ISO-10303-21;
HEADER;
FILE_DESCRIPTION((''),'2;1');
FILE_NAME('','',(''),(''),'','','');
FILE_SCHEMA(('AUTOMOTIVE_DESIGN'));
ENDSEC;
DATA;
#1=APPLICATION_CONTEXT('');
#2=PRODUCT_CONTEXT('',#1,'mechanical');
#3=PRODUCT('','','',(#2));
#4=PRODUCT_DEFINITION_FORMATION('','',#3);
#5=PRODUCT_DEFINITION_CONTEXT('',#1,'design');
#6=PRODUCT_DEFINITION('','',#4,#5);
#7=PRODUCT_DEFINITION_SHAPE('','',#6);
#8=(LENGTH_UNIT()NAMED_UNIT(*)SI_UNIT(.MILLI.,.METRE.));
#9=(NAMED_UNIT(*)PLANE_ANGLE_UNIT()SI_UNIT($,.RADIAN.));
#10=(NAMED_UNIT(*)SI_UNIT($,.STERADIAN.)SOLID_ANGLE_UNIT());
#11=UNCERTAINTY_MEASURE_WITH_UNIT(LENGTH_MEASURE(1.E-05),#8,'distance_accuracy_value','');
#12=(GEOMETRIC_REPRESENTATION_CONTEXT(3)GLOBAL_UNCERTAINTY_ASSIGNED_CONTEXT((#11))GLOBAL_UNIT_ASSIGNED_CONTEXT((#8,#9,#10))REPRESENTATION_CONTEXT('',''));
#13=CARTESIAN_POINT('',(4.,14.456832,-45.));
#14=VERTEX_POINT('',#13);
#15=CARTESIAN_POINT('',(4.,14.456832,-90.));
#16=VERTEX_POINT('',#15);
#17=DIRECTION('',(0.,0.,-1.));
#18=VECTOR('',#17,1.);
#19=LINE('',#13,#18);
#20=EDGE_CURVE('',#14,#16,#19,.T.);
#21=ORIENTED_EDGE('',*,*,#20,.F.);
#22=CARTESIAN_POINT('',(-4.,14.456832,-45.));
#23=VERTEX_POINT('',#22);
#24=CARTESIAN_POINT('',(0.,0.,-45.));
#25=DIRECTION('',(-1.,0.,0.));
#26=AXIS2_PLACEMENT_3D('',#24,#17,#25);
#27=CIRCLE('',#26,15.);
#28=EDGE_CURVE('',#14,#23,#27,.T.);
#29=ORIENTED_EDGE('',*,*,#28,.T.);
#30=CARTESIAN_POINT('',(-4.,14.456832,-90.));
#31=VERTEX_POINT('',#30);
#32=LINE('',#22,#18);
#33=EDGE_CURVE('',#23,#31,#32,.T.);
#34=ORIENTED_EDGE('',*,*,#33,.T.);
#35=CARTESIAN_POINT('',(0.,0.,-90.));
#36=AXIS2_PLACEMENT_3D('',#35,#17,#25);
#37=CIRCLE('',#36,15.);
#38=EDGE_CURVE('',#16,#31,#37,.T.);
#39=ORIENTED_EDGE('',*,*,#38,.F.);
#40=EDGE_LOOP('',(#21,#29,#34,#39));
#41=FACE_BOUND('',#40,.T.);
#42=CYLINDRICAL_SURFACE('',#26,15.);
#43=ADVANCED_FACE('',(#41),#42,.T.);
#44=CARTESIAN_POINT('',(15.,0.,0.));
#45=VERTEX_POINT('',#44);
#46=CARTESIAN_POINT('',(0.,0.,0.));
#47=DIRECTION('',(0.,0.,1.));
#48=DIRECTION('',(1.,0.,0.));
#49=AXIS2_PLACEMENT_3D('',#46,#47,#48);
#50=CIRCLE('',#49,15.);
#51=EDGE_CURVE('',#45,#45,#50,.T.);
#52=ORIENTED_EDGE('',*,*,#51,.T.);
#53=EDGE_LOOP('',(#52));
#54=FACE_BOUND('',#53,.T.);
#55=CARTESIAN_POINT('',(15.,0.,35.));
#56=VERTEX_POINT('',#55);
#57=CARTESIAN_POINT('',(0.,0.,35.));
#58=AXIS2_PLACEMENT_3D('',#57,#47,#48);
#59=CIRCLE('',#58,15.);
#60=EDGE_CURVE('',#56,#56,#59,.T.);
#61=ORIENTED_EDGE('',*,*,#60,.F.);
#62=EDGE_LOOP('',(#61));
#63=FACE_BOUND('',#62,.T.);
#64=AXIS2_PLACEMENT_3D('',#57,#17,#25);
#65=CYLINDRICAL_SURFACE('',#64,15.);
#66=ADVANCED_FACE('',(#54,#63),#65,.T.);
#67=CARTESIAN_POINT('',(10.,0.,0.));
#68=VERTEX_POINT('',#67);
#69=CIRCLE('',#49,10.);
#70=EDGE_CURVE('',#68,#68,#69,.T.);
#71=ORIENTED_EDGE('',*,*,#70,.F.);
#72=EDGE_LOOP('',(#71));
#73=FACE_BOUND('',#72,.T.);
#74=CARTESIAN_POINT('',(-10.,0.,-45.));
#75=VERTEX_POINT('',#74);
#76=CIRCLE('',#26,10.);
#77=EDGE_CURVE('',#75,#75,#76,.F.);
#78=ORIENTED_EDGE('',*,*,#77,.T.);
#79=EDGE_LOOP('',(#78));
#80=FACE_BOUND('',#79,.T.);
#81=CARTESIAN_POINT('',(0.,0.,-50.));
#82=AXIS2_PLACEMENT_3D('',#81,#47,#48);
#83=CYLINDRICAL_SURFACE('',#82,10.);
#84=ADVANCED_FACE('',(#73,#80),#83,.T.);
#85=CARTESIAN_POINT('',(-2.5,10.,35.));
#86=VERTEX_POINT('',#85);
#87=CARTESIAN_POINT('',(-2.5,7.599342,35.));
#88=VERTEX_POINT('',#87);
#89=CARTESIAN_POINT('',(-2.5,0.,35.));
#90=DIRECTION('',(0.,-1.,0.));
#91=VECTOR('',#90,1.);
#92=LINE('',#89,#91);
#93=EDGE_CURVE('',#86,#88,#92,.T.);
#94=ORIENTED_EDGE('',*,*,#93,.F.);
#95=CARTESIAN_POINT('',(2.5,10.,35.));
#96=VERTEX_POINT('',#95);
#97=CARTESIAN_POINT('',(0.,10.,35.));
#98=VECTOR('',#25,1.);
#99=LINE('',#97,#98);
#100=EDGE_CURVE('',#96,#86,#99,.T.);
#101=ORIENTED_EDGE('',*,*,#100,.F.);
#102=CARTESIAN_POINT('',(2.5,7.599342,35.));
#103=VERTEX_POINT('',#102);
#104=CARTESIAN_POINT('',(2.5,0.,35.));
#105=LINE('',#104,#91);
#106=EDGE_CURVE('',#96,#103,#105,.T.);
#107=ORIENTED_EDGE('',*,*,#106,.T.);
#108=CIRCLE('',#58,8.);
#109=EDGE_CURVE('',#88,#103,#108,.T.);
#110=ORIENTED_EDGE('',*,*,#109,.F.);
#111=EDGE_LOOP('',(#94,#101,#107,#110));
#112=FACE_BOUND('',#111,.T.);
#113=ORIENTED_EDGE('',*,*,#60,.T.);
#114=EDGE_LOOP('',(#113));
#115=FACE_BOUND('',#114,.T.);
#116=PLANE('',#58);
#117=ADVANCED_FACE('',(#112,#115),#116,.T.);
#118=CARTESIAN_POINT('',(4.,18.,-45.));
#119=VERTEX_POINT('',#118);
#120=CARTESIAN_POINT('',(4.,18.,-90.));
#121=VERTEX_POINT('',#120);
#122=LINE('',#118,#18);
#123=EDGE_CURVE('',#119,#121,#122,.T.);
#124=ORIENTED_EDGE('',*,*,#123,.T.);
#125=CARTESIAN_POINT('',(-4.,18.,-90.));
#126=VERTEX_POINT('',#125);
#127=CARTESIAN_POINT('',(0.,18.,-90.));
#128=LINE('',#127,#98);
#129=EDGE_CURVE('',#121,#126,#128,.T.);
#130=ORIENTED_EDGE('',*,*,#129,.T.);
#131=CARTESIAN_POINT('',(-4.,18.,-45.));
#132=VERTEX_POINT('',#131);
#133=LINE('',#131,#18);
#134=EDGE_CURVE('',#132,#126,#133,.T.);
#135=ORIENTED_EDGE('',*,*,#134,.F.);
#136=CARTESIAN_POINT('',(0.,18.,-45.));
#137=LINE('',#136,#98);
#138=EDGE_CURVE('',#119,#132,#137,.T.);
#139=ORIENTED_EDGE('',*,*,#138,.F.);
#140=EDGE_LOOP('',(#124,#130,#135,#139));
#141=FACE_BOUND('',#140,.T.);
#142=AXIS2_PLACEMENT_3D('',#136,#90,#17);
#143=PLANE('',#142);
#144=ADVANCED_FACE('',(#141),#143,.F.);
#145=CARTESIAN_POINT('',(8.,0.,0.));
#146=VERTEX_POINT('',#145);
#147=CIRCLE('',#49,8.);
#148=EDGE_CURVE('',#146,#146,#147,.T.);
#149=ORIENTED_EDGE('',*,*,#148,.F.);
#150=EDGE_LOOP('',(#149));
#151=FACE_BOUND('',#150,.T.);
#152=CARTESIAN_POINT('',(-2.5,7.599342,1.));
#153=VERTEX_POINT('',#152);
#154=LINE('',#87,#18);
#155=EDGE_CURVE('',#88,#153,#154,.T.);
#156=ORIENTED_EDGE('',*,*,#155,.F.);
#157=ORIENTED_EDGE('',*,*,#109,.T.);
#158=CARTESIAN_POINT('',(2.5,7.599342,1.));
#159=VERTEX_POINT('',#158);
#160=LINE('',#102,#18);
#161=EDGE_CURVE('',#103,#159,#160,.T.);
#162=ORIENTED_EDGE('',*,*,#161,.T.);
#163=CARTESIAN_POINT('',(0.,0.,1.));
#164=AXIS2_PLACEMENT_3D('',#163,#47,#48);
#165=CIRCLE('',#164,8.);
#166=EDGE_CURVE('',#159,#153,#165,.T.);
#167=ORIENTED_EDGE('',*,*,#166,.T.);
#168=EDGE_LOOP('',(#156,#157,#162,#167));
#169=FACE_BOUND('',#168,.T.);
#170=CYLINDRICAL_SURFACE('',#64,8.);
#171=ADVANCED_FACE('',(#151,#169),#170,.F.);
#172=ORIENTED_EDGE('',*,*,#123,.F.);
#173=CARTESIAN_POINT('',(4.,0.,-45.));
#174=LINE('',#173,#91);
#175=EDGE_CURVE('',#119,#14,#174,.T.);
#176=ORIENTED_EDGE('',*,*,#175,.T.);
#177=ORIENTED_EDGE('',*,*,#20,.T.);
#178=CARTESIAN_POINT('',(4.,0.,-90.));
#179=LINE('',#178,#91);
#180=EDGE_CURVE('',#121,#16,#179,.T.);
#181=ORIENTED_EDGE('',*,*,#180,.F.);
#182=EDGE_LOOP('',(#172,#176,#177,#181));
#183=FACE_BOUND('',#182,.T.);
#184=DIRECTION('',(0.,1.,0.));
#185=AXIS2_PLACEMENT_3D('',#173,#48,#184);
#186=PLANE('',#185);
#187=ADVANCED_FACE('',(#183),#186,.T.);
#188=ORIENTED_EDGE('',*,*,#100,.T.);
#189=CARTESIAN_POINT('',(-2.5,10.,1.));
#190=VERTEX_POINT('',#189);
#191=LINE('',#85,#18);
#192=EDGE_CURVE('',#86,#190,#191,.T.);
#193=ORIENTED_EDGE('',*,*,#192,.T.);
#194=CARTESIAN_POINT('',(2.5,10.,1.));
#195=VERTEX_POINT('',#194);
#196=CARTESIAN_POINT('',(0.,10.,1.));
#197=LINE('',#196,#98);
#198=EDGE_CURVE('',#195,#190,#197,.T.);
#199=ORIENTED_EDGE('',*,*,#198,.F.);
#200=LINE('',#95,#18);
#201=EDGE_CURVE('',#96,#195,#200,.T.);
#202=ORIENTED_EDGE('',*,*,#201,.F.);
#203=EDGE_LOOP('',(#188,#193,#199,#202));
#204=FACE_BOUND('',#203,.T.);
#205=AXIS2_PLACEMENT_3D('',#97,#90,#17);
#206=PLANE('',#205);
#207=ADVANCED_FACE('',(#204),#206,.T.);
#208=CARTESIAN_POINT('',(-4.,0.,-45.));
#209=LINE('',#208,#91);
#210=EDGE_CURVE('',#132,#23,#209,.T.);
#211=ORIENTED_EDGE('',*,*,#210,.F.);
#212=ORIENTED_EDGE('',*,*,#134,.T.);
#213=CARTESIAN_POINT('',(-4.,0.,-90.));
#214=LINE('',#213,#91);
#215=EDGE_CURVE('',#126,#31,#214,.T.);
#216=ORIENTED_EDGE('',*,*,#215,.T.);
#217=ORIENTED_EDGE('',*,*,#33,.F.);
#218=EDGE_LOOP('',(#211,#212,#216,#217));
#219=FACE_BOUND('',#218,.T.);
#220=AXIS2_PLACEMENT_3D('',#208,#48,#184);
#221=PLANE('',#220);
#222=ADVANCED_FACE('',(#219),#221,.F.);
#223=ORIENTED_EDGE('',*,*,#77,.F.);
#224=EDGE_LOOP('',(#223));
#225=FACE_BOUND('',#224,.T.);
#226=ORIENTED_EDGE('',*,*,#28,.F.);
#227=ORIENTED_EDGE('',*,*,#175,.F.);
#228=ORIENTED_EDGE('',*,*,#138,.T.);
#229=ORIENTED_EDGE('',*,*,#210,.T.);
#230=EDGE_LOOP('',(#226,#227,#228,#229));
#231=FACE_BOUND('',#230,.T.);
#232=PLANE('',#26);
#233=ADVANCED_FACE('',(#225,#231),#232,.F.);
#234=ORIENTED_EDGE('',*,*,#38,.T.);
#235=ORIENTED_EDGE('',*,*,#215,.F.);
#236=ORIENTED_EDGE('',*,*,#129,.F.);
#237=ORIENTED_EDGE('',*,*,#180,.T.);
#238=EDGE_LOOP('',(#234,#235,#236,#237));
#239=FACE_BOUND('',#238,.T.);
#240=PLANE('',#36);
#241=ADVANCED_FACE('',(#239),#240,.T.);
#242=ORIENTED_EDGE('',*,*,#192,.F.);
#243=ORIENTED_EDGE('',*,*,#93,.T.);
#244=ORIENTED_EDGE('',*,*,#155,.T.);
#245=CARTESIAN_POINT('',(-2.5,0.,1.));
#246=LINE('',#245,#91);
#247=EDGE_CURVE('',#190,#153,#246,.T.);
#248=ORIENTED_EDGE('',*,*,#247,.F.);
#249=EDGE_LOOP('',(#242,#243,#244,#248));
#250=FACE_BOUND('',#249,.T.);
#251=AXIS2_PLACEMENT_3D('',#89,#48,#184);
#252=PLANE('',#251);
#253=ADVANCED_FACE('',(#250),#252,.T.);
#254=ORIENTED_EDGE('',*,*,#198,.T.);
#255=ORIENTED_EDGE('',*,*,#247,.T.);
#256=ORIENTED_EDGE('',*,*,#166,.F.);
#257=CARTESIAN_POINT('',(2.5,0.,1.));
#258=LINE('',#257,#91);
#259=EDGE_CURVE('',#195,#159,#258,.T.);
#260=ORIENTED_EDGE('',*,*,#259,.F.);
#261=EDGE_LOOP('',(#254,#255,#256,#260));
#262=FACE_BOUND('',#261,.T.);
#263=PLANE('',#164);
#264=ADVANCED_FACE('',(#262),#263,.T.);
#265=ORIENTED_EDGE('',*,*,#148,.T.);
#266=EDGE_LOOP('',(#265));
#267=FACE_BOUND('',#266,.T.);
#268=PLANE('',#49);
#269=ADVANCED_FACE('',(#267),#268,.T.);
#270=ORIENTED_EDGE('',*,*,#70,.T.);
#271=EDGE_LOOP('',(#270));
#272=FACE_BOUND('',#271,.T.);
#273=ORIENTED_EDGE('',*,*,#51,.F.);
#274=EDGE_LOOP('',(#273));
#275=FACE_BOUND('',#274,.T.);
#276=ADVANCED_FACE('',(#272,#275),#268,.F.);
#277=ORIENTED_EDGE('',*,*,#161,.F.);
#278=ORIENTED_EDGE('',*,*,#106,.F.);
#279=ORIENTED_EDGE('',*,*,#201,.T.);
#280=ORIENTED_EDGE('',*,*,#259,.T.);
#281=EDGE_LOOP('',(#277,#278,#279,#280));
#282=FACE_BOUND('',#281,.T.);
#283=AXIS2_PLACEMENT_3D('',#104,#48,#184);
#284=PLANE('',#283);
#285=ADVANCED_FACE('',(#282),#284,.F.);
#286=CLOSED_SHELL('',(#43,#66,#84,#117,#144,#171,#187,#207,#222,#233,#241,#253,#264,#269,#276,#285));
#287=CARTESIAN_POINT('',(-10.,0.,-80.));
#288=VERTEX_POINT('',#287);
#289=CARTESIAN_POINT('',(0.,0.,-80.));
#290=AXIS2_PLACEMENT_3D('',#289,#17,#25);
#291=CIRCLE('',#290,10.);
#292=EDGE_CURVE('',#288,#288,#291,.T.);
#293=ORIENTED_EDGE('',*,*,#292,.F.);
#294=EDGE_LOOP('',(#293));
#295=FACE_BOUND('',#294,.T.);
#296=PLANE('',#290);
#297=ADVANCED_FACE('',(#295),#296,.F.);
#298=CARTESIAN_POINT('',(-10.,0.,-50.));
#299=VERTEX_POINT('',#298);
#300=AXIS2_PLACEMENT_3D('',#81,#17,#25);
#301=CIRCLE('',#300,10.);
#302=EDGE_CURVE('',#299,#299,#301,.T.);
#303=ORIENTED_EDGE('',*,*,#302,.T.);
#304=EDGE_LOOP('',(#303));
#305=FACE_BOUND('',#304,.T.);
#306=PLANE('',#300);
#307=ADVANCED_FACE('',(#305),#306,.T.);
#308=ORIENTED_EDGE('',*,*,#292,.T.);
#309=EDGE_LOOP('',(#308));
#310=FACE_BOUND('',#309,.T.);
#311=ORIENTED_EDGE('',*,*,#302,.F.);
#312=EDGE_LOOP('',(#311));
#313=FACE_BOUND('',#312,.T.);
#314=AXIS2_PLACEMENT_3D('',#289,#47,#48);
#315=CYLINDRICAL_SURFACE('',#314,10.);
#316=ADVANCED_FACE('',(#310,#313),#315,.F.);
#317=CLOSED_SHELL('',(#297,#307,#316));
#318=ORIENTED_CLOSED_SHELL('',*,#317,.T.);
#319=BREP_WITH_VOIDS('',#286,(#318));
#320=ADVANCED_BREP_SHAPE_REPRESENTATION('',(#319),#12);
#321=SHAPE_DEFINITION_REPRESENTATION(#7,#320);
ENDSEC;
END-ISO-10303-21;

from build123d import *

# Parameters (mm, degrees)
SKETCH1_R                = 15
BOSS_EXTRUDE1_DEPTH      = 35
BOSS_EXTRUDE3_DEPTH      = 1
SKETCH2_R                = 10
BOSS_EXTRUDE4_DEPTH      = 50
BOSS_EXTRUDE5_DEPTH      = 40
BOSS_EXTRUDE5_DEPTH_BACK = 5
SKETCH4_R                = 10
CUT_EXTRUDE2_DEPTH       = 30


with BuildPart() as part:
    # Sketch1 → Boss-Extrude1 (new body)
    with BuildSketch(Plane.XY):
        Circle(SKETCH1_R)
        with BuildLine():
            Line((-2.5, 10), (2.5, 10))
            Line((2.5, 10), (2.5, 7.599342077))
            ThreePointArc((2.5, 7.599342077), (6.480740698, 4.69041576), (8, 0))
            ThreePointArc((8, 0), (-4.69041576, -6.480740698), (-2.5, 7.599342077))
            Line((-2.5, 7.599342077), (-2.5, 10))
        make_face(mode=Mode.SUBTRACT)
    extrude(amount=BOSS_EXTRUDE1_DEPTH)

    # Sketch1<6> → Boss-Extrude3 (add)
    with BuildSketch(Plane.XY):
        with BuildLine():
            Line((2.5, 7.599342077), (2.5, 10))
            Line((2.5, 10), (-2.5, 10))
            Line((-2.5, 10), (-2.5, 7.599342077))
            ThreePointArc((-2.5, 7.599342077), (0, 8), (2.5, 7.599342077))
        make_face()
    extrude(amount=BOSS_EXTRUDE3_DEPTH)

    # Sketch2 → Boss-Extrude4 (add)
    with BuildSketch(Plane.XY):
        Circle(SKETCH2_R)
    extrude(amount=-BOSS_EXTRUDE4_DEPTH)

    # Sketch3 → Boss-Extrude5 (add, two sides: drawn at the far end of the back side and taken through both)
    with BuildSketch(Plane(origin=(0, 0, -50), x_dir=(-1, 0, 0), z_dir=(0, 0, -1)).offset(-BOSS_EXTRUDE5_DEPTH_BACK)):
        with BuildLine():
            Line((4, 18), (-4, 18))
            Line((-4, 18), (-4, 14.456832295))
            ThreePointArc((-4, 14.456832295), (0, -15), (4, 14.456832295))
            Line((4, 14.456832295), (4, 18))
        make_face()
    extrude(amount=BOSS_EXTRUDE5_DEPTH + BOSS_EXTRUDE5_DEPTH_BACK)

    # Sketch4 → Cut-Extrude2 (cut)
    with BuildSketch(Plane(origin=(0, 0, -50), x_dir=(-1, 0, 0), z_dir=(0, 0, -1))):
        Circle(SKETCH4_R)
    extrude(amount=CUT_EXTRUDE2_DEPTH, mode=Mode.SUBTRACT)


solid = part.part
